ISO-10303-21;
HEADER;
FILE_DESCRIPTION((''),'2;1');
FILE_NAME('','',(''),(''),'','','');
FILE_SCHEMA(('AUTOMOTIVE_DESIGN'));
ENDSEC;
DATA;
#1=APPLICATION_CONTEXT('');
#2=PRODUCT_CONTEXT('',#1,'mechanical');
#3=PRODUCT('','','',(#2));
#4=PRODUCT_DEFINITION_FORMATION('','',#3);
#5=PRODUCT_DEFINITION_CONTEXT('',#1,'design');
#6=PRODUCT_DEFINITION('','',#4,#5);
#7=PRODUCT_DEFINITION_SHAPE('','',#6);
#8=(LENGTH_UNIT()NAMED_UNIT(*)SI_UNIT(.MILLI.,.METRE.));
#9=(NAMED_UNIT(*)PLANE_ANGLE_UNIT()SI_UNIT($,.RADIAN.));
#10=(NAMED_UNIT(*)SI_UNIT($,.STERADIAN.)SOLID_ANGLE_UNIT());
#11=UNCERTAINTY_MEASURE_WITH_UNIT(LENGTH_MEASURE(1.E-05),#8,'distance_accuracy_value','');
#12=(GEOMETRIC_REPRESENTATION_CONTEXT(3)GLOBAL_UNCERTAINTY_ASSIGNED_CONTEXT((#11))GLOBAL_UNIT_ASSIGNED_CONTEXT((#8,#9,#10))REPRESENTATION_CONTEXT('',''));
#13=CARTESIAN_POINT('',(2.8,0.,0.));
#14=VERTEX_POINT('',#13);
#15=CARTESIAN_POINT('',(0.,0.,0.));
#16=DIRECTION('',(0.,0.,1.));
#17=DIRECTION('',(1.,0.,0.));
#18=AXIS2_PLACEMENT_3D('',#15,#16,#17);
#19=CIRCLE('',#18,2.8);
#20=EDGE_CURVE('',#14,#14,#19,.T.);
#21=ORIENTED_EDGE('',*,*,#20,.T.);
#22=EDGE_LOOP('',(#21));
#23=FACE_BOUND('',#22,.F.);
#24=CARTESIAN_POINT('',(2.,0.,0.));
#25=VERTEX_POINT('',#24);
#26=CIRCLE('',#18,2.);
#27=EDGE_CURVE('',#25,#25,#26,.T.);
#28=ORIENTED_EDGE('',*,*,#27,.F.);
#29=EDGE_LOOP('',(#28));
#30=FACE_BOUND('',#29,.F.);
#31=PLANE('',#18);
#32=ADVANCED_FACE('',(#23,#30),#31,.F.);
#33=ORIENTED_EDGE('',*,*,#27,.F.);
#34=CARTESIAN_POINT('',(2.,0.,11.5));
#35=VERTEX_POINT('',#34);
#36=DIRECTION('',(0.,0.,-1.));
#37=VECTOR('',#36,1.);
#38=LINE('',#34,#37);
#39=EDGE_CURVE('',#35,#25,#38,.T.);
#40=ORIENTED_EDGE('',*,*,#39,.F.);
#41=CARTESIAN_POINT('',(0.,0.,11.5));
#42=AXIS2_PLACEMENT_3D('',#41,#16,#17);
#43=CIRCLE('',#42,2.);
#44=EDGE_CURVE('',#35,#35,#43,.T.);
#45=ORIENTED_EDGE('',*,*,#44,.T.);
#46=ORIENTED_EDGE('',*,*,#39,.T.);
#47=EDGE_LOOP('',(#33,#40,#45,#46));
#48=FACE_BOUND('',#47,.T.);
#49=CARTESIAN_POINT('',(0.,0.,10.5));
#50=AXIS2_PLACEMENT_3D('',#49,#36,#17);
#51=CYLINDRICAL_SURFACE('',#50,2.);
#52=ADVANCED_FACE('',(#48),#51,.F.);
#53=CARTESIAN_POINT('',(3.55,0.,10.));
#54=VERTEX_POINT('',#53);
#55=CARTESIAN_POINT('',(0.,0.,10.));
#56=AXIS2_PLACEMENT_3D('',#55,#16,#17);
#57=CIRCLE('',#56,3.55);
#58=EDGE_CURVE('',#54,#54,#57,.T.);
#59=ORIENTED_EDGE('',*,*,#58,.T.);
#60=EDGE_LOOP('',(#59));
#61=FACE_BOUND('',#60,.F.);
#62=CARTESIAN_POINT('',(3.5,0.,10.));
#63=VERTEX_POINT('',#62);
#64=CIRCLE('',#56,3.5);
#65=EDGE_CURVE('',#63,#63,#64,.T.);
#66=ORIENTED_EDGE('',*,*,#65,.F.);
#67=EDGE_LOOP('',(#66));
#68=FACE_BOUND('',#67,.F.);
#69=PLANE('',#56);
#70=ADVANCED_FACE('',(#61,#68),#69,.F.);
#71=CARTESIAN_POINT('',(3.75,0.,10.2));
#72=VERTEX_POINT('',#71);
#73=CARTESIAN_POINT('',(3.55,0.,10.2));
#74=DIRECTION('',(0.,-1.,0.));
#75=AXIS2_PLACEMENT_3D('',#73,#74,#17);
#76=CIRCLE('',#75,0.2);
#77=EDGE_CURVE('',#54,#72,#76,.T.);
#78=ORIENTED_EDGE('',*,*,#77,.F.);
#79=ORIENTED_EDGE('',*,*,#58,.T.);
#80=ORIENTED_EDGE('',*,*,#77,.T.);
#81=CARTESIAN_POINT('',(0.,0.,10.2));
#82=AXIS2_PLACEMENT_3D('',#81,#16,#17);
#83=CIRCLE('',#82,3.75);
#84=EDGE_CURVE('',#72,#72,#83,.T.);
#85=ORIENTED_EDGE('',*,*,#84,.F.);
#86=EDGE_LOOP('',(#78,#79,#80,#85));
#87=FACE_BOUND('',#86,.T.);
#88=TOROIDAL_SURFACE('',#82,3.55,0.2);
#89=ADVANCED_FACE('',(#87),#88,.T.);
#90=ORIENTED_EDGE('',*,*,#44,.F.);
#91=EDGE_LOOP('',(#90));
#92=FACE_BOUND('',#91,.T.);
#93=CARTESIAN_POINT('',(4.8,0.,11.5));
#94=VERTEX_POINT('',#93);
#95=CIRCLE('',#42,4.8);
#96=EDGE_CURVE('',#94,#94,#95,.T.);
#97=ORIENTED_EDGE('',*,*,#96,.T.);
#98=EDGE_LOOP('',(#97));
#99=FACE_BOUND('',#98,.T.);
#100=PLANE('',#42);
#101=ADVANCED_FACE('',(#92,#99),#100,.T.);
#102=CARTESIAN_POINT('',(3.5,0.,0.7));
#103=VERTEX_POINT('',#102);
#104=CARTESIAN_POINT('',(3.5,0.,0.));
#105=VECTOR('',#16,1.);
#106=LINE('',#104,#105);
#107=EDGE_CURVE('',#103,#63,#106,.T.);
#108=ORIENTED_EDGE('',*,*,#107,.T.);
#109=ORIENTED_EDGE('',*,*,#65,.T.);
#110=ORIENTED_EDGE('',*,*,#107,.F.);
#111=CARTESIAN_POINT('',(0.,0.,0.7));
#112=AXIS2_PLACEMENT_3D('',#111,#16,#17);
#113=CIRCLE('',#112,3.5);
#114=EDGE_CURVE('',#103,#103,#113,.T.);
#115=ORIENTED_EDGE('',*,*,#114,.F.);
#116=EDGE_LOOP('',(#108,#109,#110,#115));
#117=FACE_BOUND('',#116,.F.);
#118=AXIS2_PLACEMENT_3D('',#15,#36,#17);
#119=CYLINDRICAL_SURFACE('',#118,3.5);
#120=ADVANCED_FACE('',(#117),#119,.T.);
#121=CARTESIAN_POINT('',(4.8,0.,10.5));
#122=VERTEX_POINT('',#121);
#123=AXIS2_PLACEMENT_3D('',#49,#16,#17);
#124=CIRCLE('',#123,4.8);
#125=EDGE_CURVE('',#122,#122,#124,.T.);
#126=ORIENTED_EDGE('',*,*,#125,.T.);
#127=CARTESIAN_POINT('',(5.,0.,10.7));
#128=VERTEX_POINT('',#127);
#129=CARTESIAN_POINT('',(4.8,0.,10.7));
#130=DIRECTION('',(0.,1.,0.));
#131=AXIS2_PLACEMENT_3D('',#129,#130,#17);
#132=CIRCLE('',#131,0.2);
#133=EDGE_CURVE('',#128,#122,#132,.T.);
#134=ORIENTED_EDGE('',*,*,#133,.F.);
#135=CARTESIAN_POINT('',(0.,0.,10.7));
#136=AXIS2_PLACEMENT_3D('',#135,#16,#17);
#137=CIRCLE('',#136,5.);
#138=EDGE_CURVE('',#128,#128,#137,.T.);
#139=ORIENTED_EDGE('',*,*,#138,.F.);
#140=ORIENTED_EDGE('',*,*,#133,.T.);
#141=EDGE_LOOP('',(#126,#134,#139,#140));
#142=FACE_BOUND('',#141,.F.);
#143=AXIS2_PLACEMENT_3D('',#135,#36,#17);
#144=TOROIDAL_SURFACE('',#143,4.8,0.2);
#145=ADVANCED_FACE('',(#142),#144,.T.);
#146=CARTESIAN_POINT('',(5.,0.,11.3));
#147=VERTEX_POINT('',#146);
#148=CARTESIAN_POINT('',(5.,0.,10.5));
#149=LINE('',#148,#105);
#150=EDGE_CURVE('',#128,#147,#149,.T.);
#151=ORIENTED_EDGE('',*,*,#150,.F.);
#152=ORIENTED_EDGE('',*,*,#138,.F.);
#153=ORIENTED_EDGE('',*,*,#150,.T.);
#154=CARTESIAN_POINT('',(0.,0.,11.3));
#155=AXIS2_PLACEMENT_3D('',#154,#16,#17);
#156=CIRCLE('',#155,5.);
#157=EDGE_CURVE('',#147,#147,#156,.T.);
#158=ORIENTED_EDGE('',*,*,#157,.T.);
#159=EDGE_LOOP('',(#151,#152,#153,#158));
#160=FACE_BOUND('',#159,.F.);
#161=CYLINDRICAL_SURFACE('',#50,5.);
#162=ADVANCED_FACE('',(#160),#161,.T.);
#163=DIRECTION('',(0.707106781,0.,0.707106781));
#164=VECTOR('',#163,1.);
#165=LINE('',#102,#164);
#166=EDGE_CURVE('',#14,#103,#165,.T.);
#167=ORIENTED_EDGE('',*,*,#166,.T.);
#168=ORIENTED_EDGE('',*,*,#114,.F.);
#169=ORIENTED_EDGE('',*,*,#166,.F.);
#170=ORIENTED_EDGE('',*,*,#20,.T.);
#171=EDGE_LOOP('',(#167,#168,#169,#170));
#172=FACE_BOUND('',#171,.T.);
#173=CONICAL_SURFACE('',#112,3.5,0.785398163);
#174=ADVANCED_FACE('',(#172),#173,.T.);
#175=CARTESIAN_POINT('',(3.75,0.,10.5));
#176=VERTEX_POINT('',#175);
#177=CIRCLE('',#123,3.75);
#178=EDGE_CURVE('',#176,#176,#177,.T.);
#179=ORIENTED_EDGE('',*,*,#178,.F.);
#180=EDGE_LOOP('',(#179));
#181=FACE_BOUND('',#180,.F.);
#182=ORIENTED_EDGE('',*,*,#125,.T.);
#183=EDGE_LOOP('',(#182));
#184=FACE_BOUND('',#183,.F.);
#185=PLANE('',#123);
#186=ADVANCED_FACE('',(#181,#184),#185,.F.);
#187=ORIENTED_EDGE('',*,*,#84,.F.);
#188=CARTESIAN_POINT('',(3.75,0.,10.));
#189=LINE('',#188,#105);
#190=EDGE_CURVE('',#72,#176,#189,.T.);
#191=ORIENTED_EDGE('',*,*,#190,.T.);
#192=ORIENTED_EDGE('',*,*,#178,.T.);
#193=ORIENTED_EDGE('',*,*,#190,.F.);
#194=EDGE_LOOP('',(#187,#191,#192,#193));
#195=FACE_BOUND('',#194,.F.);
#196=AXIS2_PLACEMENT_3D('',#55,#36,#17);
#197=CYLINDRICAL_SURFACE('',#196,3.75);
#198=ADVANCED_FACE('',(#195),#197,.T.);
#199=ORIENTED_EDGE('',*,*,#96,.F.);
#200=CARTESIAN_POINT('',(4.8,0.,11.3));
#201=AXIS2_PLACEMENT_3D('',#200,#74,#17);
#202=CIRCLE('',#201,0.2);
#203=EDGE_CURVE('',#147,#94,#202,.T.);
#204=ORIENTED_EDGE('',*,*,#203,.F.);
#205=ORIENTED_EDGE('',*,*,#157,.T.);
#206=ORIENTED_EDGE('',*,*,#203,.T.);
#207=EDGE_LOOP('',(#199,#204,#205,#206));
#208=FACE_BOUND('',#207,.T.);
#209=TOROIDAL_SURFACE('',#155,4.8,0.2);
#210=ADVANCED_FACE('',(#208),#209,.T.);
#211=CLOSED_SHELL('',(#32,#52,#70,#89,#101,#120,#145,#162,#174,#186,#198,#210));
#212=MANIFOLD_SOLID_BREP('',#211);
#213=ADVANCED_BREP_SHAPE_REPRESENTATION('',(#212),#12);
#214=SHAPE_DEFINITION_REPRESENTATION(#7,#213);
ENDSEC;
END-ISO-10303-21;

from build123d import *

# Parameters (mm, degrees)
F0_R     = 3.5
F0_R_2   = 2
F1_DEPTH = 10
F2_R     = 3.75
F2_R_2   = 2
F3_DEPTH = 0.5
F4_R     = 5
F4_R_2   = 2
F5_DEPTH = 1
F6_R     = 0.2
F7_SIZE  = 0.7


with BuildPart() as f1:
    # F0 (on Top) → F1 (new body)
    with BuildSketch(Plane.XY):
        Circle(F0_R)
        Circle(F0_R_2, mode=Mode.SUBTRACT)
    extrude(amount=F1_DEPTH)

    # F2 (on face) → F3 (join)
    with BuildSketch(Plane.XY.offset(10)):
        Circle(F2_R)
        Circle(F2_R_2, mode=Mode.SUBTRACT)
    extrude(amount=F3_DEPTH)

    # F4 (on face) → F5 (join)
    with BuildSketch(Plane.XY.offset(10.5)):
        Circle(F4_R)
        Circle(F4_R_2, mode=Mode.SUBTRACT)
    extrude(amount=F5_DEPTH)

    # F6
    f6_edges = [f1.edges().sort_by_distance(p)[0] for p in [
        (-5, 0, 10.5),
        (-5, 0, 11.5),
        (-3.75, 0, 10),
    ]]
    fillet(f6_edges, radius=F6_R)

    # F7
    f7_edges = [f1.edges().sort_by_distance(p)[0] for p in [
        (-3.5, 0, 0),
    ]]
    chamfer(f7_edges, length=F7_SIZE)


solid = f1.part
